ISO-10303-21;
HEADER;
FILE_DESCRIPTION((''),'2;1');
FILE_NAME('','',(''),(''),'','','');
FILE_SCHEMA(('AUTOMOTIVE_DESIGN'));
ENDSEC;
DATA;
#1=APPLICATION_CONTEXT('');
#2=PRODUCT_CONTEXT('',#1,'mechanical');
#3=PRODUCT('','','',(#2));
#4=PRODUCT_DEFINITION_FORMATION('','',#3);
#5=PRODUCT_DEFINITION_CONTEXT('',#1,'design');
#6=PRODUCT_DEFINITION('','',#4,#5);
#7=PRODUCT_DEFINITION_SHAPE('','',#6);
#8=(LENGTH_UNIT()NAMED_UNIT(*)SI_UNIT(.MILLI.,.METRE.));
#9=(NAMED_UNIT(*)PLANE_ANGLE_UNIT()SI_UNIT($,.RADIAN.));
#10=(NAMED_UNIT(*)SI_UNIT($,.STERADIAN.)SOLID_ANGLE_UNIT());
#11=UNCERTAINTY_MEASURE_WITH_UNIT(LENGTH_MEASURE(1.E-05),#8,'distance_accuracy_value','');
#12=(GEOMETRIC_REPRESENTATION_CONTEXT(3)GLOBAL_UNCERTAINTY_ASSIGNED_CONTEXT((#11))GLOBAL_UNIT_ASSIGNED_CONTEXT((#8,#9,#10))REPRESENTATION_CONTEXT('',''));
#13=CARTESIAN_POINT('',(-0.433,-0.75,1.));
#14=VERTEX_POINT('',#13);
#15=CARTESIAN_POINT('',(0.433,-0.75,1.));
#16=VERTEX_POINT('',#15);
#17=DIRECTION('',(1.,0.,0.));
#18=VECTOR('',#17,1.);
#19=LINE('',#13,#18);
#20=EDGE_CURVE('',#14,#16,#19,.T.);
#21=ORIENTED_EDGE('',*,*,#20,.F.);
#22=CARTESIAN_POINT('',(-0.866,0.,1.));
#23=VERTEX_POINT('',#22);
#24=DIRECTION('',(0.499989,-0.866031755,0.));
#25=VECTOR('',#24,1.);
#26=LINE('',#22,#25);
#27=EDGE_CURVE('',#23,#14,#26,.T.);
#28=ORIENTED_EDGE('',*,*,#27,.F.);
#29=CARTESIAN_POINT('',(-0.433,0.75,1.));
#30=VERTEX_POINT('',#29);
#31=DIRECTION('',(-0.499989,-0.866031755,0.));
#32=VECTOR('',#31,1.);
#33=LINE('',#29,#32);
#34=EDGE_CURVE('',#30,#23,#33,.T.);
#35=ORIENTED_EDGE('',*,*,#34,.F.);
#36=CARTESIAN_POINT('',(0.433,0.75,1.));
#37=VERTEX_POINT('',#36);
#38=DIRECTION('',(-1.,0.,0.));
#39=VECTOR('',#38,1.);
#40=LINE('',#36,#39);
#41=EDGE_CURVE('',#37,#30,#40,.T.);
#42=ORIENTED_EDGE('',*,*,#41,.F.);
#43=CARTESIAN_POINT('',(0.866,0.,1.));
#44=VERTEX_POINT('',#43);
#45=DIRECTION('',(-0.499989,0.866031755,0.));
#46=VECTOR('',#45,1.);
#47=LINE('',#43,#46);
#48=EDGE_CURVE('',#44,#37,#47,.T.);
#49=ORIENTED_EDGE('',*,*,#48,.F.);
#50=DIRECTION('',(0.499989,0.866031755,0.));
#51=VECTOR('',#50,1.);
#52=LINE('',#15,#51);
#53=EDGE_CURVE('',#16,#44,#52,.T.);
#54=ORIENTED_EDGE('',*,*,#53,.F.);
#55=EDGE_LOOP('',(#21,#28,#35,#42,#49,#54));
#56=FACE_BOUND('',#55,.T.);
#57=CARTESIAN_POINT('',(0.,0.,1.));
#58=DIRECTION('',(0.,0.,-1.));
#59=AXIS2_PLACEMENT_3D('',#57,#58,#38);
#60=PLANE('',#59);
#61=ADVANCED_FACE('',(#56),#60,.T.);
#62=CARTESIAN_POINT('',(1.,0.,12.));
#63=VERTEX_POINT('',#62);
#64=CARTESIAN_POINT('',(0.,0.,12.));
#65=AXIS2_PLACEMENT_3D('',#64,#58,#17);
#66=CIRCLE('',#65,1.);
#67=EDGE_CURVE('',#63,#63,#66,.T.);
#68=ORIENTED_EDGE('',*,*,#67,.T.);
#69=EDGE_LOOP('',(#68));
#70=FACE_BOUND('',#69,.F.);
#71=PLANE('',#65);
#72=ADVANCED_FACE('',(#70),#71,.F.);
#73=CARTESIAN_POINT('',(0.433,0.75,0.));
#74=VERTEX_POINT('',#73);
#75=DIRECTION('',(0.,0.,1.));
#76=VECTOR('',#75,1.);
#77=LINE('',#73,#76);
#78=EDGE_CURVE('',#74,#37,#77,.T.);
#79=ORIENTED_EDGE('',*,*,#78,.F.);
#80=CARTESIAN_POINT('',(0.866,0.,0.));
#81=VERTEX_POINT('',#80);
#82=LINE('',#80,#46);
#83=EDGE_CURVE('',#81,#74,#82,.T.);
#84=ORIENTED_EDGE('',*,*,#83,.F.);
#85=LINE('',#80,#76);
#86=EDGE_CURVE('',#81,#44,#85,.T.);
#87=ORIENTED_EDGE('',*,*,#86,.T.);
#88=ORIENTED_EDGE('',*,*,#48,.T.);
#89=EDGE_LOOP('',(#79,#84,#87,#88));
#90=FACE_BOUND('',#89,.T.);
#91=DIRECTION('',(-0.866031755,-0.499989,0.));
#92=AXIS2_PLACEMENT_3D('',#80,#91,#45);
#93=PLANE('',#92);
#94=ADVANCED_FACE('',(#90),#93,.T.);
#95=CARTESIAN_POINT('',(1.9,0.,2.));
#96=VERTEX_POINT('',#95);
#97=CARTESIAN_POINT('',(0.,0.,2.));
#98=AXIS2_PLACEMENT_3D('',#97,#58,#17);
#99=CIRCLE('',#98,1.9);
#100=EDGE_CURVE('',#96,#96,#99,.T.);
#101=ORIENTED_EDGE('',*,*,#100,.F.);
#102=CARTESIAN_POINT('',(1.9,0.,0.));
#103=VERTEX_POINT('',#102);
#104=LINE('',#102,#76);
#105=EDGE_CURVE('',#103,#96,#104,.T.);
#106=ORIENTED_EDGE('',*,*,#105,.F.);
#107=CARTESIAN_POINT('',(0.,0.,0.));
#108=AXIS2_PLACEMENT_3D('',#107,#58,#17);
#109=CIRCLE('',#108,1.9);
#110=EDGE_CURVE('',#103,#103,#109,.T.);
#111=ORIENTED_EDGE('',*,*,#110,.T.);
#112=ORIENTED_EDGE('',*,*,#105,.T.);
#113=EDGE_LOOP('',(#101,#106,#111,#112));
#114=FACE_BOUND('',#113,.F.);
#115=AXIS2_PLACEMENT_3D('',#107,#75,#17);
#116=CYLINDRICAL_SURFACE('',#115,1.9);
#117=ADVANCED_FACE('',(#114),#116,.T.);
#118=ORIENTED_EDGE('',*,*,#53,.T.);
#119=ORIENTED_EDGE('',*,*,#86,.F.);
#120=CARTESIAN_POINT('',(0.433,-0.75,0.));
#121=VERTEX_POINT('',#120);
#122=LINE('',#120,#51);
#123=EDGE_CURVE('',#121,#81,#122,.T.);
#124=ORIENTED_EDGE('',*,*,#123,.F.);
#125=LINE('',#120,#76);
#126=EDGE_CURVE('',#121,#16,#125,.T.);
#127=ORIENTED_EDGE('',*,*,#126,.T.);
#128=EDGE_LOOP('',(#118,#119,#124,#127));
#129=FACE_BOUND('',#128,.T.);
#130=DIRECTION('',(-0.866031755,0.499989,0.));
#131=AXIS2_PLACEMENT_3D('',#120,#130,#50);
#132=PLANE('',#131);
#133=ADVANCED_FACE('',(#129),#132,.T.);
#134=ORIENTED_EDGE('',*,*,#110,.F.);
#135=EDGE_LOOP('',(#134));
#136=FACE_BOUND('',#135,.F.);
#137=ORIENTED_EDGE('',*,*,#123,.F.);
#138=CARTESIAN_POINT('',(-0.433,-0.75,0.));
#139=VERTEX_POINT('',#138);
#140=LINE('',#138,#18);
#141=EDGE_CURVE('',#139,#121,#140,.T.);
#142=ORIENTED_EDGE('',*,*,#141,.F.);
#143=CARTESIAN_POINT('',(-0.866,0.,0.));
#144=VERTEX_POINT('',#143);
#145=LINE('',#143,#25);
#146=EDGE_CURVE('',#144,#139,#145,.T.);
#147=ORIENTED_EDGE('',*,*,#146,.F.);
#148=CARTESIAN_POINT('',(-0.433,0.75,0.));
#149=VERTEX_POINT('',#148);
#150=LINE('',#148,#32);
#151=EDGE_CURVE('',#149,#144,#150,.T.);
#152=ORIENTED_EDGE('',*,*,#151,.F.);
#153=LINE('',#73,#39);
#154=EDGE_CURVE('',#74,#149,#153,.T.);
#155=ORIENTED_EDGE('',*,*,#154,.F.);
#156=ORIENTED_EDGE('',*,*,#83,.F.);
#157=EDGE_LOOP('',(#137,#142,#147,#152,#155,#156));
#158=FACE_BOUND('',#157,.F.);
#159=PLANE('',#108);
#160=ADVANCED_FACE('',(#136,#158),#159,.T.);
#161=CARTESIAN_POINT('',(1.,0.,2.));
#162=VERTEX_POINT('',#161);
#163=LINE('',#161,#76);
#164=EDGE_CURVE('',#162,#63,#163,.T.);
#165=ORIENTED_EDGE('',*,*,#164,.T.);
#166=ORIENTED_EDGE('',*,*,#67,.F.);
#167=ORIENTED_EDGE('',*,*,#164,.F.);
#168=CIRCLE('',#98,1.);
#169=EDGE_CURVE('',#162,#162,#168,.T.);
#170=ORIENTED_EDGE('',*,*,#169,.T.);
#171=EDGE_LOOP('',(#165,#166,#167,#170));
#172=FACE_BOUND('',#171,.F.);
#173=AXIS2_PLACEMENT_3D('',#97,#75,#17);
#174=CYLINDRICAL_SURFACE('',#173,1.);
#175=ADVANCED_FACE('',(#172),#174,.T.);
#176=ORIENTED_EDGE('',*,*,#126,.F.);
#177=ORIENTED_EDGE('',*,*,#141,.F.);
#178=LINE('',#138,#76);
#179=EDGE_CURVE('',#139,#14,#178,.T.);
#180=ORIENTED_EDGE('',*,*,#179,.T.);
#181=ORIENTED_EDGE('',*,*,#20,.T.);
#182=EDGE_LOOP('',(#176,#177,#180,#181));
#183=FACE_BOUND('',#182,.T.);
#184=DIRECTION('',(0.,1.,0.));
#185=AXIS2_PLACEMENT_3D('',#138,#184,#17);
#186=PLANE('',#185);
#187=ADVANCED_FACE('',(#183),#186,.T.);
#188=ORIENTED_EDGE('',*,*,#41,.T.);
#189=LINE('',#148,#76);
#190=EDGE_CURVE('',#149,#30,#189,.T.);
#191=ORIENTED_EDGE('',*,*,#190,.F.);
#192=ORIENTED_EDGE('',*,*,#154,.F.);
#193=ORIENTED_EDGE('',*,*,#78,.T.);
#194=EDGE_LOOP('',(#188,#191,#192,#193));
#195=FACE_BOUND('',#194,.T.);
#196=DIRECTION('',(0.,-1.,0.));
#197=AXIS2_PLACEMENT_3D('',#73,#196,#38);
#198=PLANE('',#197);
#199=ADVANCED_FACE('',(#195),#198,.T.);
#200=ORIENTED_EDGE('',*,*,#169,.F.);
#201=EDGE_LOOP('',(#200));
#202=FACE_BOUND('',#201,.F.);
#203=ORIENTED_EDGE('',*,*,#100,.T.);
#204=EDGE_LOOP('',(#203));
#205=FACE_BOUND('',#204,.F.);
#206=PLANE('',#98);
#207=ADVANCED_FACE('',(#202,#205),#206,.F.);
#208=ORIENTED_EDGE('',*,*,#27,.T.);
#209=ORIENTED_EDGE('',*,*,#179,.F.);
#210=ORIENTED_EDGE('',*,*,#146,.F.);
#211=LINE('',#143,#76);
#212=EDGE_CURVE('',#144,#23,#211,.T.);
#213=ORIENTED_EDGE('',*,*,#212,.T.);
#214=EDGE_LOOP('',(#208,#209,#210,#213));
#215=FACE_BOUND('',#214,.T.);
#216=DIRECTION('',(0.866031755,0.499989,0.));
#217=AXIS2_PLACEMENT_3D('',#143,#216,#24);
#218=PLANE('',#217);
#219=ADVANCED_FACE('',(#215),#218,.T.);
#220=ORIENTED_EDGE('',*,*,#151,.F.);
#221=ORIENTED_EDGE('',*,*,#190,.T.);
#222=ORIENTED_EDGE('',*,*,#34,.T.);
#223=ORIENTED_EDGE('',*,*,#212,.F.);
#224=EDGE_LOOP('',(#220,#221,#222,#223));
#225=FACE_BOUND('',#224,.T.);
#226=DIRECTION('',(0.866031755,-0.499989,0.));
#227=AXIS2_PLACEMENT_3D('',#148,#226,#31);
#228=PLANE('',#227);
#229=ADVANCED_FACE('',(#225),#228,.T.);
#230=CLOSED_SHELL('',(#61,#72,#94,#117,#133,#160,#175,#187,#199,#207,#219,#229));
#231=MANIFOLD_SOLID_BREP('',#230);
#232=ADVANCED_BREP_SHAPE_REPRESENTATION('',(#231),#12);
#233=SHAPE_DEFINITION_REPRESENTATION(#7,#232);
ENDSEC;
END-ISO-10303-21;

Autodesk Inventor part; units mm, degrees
ref_plane "YZ Plane" through (0, 0, 0) normal (1, 0, 0) x (0, 1, 0)
ref_plane "XZ Plane" through (0, 0, 0) normal (0, 1, 0) x (-1, 0, 0)
ref_plane "XY Plane" through (0, 0, 0) normal (0, 0, 1) x (1, 0, 0)
sketch "Sketch1" plane through (0, 0, 0) normal (0, 1, 0) x (-1, 0, 0)
  line L0 (0, 0) -> (-1.9, 0)
  line L1 (-1.9, 0) -> (-1.9, 2)
  line L2 (-1.9, 2) -> (-1, 2)
  line L3 (-1, 2) -> (-1, 12)
  line L4 (-1, 12) -> (0, 12)
  line L5 (0, 12) -> (0, 0)
  dimension "ScrewLength" = 10
  dimension "Diameter" = 3.8
  dimension "Metric" = 2
  dimension "HeadLength" = 2
revolve "Revolution1" add sketch "Sketch1" angle 360 about axis through (0, 0, 12) along (0, 0, -1)
thread "Thread1" size "M2x0.4" class "6g" standard "ANSI Metric M Profile" full length
sketch "Sketch2" plane through (0, 0, 0) normal (0, 0, -1) x (-1, 0, 0)
  line L0 (0.433, 0.75) -> (0.866, 0)
  line L1 (0.866, 0) -> (0.433, -0.75)
  line L2 (0.433, -0.75) -> (-0.433, -0.75)
  line L3 (-0.433, -0.75) -> (-0.866, 0)
  line L4 (-0.866, 0) -> (-0.433, 0.75)
  line L5 (-0.433, 0.75) -> (0.433, 0.75)
  point P0 (0, 0)
  point P1 (0, 0)
  dimension "WidthAcrossFlat" = 1.5
extrude "Extrusion1" cut sketch "Sketch2" against normal blind 1
properties part number "UC-0210" material "Stainless Steel AISI 304"
